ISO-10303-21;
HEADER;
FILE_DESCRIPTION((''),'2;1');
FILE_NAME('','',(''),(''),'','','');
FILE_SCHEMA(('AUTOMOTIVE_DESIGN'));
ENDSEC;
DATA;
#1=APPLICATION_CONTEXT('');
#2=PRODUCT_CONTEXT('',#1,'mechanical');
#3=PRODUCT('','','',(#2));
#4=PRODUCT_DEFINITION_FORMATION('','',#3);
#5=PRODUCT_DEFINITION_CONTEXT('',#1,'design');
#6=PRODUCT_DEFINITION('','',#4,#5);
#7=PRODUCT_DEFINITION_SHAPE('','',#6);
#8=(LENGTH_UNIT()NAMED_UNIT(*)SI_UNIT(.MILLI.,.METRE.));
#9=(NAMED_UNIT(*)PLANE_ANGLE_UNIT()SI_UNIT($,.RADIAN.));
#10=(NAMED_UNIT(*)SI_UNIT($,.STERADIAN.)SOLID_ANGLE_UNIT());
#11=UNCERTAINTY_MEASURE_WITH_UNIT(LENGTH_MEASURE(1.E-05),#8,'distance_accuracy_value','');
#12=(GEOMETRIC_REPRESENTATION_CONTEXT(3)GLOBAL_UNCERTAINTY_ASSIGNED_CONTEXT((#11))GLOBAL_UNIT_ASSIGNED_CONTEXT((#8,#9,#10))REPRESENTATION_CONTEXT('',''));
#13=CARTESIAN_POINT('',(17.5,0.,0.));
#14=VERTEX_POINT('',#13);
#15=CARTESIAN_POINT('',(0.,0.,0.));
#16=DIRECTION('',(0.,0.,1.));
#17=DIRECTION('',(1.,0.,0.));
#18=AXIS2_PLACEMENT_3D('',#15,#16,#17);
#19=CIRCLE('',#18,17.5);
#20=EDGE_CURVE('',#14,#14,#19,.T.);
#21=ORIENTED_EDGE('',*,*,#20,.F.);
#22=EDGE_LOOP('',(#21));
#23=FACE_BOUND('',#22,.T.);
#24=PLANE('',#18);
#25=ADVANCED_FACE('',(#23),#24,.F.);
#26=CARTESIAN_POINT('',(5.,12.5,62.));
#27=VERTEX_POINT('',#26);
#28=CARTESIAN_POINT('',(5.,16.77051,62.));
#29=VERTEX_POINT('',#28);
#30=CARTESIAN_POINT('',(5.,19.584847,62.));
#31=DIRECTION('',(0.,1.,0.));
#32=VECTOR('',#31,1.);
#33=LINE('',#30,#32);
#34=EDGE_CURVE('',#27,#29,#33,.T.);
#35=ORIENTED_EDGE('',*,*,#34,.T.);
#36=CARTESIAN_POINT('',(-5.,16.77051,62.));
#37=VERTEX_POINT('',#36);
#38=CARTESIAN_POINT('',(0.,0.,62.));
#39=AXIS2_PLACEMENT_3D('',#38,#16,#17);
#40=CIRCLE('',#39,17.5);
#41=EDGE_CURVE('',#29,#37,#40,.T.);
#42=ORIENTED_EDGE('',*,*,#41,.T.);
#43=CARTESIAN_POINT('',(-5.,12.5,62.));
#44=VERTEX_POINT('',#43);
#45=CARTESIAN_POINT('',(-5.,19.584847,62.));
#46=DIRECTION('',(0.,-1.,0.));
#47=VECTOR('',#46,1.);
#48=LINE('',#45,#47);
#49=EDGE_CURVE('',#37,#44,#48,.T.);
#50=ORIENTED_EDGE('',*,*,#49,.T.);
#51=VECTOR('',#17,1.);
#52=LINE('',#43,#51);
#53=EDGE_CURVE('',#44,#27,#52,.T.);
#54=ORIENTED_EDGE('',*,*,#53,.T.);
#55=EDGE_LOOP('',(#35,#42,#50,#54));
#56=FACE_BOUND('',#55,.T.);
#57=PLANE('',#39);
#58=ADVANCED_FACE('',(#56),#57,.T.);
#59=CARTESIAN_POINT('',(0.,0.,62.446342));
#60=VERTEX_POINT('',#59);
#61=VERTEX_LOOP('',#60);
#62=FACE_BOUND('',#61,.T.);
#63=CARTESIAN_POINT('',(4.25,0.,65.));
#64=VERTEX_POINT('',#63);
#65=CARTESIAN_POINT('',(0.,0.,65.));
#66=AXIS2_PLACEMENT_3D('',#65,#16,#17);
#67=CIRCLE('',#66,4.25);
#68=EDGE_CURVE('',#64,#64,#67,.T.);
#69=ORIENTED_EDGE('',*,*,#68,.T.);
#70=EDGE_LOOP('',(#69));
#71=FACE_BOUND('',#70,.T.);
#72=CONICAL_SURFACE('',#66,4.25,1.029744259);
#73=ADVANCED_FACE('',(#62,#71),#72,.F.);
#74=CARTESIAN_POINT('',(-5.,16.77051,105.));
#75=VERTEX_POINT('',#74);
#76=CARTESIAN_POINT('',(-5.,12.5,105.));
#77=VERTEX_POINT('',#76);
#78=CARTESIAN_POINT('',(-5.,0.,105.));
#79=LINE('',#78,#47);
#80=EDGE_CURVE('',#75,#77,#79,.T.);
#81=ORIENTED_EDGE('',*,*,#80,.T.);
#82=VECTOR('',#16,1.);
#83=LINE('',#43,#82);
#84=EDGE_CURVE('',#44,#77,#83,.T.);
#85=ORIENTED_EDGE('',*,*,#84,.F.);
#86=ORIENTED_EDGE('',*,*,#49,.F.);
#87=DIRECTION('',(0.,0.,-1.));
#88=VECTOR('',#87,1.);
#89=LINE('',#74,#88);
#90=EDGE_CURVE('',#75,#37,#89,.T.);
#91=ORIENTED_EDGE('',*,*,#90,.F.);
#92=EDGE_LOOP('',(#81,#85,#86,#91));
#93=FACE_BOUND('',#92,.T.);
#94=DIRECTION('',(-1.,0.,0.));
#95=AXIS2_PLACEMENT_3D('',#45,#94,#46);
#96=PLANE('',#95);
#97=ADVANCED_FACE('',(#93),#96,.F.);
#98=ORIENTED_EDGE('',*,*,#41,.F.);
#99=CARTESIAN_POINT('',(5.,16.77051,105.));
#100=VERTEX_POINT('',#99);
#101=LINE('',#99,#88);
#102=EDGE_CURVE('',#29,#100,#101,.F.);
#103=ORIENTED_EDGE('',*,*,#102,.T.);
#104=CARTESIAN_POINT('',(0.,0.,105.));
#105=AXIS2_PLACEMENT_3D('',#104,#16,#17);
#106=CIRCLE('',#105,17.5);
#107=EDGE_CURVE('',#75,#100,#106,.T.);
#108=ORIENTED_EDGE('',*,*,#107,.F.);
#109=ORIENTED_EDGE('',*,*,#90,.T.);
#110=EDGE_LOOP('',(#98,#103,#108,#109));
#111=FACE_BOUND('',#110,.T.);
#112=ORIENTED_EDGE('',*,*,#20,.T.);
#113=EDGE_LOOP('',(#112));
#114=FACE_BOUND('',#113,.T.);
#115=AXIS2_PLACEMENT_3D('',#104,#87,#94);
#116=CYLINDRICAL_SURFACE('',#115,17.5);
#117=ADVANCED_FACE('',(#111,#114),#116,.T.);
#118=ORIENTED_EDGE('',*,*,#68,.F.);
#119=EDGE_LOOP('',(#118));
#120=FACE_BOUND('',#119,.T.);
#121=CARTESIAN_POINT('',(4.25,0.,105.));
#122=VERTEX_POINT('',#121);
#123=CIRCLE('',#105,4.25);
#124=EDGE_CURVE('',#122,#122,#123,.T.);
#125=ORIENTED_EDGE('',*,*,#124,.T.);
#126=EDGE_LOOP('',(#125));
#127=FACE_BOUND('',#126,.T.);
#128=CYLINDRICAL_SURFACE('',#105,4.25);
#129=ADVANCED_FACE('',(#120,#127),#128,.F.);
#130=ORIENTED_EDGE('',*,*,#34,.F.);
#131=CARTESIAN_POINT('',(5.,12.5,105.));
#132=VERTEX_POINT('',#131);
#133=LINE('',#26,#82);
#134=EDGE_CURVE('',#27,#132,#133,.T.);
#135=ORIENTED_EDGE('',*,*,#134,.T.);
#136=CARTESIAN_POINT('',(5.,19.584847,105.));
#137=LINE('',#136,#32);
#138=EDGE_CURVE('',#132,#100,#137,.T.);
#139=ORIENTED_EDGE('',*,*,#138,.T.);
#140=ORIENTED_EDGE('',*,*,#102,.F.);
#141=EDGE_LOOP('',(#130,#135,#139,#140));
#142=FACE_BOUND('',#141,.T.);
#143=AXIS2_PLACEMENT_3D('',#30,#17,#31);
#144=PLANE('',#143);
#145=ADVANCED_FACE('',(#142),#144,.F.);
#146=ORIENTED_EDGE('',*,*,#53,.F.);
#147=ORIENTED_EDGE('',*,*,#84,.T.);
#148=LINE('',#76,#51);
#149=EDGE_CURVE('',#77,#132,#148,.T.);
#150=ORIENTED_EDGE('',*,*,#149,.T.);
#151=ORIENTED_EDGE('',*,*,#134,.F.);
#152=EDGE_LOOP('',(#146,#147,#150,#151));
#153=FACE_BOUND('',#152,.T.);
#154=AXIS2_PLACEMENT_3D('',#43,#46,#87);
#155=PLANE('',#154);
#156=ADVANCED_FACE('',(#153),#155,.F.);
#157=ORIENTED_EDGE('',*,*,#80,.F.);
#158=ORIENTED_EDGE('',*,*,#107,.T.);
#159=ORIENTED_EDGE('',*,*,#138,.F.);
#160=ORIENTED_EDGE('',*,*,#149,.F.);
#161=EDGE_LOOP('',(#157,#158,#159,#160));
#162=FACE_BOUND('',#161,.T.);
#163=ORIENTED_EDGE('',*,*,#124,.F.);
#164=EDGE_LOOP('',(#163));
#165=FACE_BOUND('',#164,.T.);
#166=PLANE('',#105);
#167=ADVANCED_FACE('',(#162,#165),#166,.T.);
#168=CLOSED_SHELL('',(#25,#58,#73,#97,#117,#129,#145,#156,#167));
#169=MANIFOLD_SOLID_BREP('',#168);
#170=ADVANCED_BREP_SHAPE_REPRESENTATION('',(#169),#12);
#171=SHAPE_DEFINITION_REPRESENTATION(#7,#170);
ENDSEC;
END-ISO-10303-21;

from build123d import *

# Parameters (mm, degrees)
ESQUISSE1_R             = 17.5
BOSS_EXTRU_1_DEPTH      = 105
ESQUISSE2_W             = 10
ESQUISSE2_H             = 7.08484742
ENL_V_MAT_EXTRU_1_DEPTH = 43
TROU_TARAUD_M101_D      = 8.5
TROU_TARAUD_M101_DEPTH  = 40
TROU_TARAUD_M101_TIP    = 2.553657631


with BuildPart() as part:
    # Esquisse1 → Boss.-Extru.1 (new body)
    with BuildSketch(Plane.XY):
        Circle(ESQUISSE1_R)
    extrude(amount=BOSS_EXTRU_1_DEPTH)

    # Esquisse2 → Enlèv. mat.-Extru.1 (cut)
    with BuildSketch(Plane.XY.offset(105)):
        with Locations((0, 16.04242371)):
            Rectangle(ESQUISSE2_W, ESQUISSE2_H)
    extrude(amount=-ENL_V_MAT_EXTRU_1_DEPTH, mode=Mode.SUBTRACT)

    # Trou taraudé M101
    with Locations(Plane.XY.offset(105)):
        with Locations((0, 0)):
            Hole(TROU_TARAUD_M101_D / 2, depth=TROU_TARAUD_M101_DEPTH)
            with Locations((0, 0, -(TROU_TARAUD_M101_DEPTH + TROU_TARAUD_M101_TIP / 2))):  # 118° drill point
                Cone(0, TROU_TARAUD_M101_D / 2, TROU_TARAUD_M101_TIP, mode=Mode.SUBTRACT)


solid = part.part
